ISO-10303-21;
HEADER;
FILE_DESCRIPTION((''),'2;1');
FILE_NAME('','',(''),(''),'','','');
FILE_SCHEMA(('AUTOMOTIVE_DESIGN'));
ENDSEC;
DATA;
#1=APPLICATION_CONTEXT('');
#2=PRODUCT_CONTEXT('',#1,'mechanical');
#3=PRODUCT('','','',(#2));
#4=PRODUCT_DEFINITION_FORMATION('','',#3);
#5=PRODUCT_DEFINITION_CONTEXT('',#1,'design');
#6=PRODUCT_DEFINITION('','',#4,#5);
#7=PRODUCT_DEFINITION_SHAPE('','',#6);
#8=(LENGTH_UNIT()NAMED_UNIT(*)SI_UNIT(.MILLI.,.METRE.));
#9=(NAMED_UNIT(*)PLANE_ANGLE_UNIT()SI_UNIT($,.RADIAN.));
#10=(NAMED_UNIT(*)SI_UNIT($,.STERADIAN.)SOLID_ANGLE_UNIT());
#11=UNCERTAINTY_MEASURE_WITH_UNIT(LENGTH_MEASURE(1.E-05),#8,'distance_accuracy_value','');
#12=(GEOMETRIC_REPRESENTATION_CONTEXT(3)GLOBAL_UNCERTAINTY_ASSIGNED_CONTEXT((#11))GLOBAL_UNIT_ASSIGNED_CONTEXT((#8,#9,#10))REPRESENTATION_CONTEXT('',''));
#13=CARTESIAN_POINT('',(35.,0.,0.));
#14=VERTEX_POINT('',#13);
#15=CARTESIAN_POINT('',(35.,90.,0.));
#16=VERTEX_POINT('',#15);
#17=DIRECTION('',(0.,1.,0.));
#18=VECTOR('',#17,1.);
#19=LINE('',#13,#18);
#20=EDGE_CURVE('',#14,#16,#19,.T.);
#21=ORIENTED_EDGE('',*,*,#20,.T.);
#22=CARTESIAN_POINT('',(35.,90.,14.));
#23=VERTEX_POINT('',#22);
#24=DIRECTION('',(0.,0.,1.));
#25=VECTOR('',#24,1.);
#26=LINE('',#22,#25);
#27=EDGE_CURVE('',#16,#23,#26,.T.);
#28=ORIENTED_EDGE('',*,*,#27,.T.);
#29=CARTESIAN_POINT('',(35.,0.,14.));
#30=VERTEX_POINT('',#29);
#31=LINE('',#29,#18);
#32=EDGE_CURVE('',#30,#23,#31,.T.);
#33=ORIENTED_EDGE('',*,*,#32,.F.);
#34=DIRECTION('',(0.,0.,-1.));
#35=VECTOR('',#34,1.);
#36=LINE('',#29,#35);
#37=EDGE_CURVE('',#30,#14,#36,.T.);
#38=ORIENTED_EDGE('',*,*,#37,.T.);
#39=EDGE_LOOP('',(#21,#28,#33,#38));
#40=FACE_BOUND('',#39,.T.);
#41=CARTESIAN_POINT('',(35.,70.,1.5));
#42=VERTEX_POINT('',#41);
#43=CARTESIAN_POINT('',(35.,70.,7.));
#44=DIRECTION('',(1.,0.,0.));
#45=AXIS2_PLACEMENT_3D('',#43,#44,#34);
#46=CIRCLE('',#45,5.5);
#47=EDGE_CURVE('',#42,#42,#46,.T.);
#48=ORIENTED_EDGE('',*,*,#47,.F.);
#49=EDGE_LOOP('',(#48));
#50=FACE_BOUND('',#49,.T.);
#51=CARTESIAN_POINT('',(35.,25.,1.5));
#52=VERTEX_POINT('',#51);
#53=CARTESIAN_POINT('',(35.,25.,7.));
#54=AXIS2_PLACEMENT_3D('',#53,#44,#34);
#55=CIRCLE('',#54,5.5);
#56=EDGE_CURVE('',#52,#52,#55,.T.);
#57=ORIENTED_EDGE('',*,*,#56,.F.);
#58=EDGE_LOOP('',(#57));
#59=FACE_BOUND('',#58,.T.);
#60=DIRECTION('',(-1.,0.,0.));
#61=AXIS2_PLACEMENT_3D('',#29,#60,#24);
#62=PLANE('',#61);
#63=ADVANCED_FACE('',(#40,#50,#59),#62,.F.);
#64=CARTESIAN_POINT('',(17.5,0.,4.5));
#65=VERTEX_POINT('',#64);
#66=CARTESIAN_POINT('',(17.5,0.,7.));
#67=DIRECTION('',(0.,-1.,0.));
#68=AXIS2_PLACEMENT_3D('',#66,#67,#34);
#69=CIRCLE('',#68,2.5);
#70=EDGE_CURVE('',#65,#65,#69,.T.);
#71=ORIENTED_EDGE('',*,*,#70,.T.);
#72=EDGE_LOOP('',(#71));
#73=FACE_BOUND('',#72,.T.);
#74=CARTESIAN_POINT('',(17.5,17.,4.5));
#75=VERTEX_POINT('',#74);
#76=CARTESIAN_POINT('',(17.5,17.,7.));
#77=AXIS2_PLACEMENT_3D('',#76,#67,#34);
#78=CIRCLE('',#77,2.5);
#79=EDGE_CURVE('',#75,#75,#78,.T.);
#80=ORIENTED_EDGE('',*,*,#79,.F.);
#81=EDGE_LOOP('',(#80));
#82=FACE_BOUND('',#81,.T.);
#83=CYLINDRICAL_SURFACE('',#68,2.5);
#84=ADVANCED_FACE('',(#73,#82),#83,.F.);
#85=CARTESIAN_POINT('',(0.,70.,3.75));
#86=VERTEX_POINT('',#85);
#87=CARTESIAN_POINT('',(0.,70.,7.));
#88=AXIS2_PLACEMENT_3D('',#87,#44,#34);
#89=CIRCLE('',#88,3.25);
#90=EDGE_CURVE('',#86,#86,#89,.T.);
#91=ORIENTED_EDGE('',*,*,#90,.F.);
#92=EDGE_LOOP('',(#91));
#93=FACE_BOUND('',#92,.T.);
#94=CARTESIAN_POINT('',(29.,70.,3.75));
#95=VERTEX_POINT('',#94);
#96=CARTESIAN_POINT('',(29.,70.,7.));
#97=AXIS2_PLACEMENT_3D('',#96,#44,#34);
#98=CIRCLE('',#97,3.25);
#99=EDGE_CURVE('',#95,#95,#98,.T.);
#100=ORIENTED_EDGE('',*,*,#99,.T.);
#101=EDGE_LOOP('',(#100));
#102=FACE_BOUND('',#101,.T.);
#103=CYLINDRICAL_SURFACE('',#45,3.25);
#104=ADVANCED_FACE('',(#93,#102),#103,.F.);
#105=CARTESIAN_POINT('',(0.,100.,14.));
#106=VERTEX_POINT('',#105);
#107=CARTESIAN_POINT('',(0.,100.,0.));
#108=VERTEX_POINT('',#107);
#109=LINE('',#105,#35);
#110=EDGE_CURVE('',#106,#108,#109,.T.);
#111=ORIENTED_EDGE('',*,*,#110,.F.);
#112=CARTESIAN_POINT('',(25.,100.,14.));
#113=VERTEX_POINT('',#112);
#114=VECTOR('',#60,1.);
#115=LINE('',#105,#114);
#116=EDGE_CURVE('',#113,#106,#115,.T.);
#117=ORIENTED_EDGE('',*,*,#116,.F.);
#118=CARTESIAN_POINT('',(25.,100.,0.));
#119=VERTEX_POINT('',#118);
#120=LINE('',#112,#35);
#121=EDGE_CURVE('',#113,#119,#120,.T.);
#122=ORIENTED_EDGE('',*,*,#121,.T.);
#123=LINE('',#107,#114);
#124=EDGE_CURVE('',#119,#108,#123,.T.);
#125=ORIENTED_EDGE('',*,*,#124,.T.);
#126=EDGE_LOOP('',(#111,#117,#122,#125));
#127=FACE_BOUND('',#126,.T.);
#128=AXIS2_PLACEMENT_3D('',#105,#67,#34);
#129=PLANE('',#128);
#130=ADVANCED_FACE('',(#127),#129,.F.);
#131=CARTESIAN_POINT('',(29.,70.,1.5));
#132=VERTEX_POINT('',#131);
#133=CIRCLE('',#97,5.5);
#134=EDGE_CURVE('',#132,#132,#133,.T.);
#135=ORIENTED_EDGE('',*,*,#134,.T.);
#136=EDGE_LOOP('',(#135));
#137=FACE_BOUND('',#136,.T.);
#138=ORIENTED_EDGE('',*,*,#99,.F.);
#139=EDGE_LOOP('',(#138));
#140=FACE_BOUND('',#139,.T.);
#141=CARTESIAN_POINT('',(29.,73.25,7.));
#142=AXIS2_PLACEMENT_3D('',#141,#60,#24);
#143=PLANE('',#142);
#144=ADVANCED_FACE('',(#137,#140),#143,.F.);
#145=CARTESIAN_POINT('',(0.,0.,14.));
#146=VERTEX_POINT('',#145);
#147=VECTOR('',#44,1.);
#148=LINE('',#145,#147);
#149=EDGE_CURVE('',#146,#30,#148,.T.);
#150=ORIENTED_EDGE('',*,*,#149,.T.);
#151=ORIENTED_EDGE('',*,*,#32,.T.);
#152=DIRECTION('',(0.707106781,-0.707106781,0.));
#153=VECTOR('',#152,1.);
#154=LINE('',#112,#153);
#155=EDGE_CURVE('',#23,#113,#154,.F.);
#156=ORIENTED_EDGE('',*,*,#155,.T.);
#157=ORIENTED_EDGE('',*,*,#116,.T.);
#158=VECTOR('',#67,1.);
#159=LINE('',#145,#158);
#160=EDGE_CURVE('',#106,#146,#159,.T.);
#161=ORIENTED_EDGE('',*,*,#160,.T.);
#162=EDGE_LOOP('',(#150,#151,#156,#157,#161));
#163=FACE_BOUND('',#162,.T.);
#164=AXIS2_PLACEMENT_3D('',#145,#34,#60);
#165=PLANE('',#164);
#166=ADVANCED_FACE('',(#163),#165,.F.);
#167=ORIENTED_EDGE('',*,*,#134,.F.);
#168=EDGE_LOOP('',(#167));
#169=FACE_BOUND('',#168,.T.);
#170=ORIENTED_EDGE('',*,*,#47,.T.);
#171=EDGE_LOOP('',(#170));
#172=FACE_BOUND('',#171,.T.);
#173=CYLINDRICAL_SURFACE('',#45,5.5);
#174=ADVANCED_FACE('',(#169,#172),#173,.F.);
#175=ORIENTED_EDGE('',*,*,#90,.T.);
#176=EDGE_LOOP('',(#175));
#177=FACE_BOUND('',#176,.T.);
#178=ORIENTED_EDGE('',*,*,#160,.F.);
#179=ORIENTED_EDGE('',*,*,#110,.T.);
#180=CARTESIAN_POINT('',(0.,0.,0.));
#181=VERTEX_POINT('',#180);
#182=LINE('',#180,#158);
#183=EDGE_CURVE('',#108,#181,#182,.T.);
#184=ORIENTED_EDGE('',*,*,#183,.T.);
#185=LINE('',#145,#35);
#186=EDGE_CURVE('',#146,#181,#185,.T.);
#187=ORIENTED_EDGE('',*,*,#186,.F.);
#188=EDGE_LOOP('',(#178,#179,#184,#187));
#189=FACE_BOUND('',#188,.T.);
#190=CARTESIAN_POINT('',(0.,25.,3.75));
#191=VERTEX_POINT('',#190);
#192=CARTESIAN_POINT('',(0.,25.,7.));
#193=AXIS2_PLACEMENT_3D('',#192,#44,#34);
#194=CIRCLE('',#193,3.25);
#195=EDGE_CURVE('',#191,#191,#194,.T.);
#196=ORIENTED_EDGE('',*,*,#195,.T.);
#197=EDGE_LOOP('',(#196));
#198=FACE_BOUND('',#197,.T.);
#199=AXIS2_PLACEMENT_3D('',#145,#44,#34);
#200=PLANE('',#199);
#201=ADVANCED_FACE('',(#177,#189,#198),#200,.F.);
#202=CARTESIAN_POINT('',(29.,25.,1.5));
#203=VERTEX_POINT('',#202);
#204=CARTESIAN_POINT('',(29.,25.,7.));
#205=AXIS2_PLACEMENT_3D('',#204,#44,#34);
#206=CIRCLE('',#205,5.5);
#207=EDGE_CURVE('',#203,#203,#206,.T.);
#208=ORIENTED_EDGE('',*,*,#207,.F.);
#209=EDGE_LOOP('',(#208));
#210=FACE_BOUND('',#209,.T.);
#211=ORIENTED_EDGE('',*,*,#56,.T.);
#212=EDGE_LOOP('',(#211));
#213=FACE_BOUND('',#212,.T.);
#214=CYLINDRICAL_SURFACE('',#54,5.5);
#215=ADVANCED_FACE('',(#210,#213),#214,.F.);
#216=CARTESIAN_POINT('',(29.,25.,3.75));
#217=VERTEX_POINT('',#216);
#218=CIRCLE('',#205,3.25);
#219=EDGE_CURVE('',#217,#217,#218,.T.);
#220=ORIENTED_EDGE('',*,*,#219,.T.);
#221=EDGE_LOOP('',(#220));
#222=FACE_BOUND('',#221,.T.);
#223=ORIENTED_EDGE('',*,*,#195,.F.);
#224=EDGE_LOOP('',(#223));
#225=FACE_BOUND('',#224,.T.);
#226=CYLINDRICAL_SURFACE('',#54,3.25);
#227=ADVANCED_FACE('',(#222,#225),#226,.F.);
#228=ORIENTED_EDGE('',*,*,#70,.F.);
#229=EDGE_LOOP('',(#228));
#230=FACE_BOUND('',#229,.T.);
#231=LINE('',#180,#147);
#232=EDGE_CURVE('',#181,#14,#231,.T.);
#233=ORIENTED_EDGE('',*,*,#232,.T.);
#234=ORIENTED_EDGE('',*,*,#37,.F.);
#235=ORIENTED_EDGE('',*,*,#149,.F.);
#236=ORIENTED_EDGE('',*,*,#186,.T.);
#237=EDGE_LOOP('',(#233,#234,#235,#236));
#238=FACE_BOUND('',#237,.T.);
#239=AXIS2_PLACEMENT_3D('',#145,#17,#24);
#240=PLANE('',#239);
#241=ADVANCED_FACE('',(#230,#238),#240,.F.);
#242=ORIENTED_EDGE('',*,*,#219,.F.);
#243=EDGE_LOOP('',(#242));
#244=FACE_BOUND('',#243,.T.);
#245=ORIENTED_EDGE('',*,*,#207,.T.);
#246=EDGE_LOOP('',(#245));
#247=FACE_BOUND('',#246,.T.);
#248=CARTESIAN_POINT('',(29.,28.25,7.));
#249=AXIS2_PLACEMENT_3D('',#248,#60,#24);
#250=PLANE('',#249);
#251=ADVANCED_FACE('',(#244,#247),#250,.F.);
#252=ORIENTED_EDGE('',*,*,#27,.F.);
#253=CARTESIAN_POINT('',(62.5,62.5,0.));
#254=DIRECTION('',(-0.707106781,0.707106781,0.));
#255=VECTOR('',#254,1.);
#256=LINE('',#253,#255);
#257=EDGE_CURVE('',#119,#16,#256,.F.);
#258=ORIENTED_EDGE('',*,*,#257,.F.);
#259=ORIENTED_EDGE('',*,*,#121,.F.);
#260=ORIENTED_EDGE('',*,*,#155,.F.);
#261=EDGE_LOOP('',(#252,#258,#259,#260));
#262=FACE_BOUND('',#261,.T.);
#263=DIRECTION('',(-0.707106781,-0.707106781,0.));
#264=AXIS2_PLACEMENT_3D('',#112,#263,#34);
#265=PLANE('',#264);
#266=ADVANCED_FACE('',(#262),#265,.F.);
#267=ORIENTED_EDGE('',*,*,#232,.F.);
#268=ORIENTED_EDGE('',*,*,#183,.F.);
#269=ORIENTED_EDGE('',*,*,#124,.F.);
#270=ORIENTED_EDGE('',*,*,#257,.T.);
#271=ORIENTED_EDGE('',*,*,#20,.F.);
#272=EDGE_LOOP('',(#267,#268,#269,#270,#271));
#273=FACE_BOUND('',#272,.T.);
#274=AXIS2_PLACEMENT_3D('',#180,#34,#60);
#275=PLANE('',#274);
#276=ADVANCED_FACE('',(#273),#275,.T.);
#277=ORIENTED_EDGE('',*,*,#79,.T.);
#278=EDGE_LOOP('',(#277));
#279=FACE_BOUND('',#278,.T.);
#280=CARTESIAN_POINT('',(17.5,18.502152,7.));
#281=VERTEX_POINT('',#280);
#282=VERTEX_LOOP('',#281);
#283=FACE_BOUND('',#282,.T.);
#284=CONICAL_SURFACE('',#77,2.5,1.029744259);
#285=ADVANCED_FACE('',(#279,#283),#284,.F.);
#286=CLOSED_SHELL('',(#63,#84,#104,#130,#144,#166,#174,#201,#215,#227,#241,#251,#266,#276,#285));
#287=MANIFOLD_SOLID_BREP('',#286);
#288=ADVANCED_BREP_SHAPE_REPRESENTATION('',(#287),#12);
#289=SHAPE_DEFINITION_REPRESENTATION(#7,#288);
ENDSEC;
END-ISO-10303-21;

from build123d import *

# Parameters (mm, degrees)
SZKIC1_W                                             = 35
SZKIC1_H                                             = 100
DODANIE_WYCI_GNI_CIE1_DEPTH                          = 14
SFAZOWANIE1_SIZE                                     = 10
POG_BIENIE_WALCOWE_POD_M6_WKR_T_DO_CZ_CI_D           = 6.5
POG_BIENIE_WALCOWE_POD_M6_WKR_T_DO_CZ_CI_CBORE_D     = 11
POG_BIENIE_WALCOWE_POD_M6_WKR_T_DO_CZ_CI_CBORE_DEPTH = 6
OTW_R_GWINTOWANY_M6X1_01_D                           = 5
OTW_R_GWINTOWANY_M6X1_01_DEPTH                       = 17
OTW_R_GWINTOWANY_M6X1_01_TIP                         = 1.502151548


with BuildPart() as part:
    # Szkic1 → Dodanie-wyciągnięcie1 (new body)
    with BuildSketch(Plane.XY):
        with Locations((17.5, 50)):
            Rectangle(SZKIC1_W, SZKIC1_H)
    extrude(amount=DODANIE_WYCI_GNI_CIE1_DEPTH)

    # Sfazowanie1
    sfazowanie1_edges = [part.edges().sort_by_distance(p)[0] for p in [
        (35, 100, 7),
    ]]
    chamfer(sfazowanie1_edges, length=SFAZOWANIE1_SIZE)

    # Pogłębienie walcowe pod M6 Wkręt do części metalowych z łbem sześciokątnym1 (through all)
    with Locations(Plane(origin=(35, 0, 0), x_dir=(0, 0, -1), z_dir=(1, 0, 0))):
        with Locations((-7, 70), (-7, 25)):
            CounterBoreHole(POG_BIENIE_WALCOWE_POD_M6_WKR_T_DO_CZ_CI_D / 2, POG_BIENIE_WALCOWE_POD_M6_WKR_T_DO_CZ_CI_CBORE_D / 2, POG_BIENIE_WALCOWE_POD_M6_WKR_T_DO_CZ_CI_CBORE_DEPTH)

    # Otwór gwintowany M6x1.01
    with Locations(Plane(origin=(0, 0, 0), x_dir=(-1, 0, 0), z_dir=(0, -1, 0))):
        with Locations((-17.5, -7)):
            Hole(OTW_R_GWINTOWANY_M6X1_01_D / 2, depth=OTW_R_GWINTOWANY_M6X1_01_DEPTH)
            with Locations((0, 0, -(OTW_R_GWINTOWANY_M6X1_01_DEPTH + OTW_R_GWINTOWANY_M6X1_01_TIP / 2))):  # 118° drill point
                Cone(0, OTW_R_GWINTOWANY_M6X1_01_D / 2, OTW_R_GWINTOWANY_M6X1_01_TIP, mode=Mode.SUBTRACT)


solid = part.part
